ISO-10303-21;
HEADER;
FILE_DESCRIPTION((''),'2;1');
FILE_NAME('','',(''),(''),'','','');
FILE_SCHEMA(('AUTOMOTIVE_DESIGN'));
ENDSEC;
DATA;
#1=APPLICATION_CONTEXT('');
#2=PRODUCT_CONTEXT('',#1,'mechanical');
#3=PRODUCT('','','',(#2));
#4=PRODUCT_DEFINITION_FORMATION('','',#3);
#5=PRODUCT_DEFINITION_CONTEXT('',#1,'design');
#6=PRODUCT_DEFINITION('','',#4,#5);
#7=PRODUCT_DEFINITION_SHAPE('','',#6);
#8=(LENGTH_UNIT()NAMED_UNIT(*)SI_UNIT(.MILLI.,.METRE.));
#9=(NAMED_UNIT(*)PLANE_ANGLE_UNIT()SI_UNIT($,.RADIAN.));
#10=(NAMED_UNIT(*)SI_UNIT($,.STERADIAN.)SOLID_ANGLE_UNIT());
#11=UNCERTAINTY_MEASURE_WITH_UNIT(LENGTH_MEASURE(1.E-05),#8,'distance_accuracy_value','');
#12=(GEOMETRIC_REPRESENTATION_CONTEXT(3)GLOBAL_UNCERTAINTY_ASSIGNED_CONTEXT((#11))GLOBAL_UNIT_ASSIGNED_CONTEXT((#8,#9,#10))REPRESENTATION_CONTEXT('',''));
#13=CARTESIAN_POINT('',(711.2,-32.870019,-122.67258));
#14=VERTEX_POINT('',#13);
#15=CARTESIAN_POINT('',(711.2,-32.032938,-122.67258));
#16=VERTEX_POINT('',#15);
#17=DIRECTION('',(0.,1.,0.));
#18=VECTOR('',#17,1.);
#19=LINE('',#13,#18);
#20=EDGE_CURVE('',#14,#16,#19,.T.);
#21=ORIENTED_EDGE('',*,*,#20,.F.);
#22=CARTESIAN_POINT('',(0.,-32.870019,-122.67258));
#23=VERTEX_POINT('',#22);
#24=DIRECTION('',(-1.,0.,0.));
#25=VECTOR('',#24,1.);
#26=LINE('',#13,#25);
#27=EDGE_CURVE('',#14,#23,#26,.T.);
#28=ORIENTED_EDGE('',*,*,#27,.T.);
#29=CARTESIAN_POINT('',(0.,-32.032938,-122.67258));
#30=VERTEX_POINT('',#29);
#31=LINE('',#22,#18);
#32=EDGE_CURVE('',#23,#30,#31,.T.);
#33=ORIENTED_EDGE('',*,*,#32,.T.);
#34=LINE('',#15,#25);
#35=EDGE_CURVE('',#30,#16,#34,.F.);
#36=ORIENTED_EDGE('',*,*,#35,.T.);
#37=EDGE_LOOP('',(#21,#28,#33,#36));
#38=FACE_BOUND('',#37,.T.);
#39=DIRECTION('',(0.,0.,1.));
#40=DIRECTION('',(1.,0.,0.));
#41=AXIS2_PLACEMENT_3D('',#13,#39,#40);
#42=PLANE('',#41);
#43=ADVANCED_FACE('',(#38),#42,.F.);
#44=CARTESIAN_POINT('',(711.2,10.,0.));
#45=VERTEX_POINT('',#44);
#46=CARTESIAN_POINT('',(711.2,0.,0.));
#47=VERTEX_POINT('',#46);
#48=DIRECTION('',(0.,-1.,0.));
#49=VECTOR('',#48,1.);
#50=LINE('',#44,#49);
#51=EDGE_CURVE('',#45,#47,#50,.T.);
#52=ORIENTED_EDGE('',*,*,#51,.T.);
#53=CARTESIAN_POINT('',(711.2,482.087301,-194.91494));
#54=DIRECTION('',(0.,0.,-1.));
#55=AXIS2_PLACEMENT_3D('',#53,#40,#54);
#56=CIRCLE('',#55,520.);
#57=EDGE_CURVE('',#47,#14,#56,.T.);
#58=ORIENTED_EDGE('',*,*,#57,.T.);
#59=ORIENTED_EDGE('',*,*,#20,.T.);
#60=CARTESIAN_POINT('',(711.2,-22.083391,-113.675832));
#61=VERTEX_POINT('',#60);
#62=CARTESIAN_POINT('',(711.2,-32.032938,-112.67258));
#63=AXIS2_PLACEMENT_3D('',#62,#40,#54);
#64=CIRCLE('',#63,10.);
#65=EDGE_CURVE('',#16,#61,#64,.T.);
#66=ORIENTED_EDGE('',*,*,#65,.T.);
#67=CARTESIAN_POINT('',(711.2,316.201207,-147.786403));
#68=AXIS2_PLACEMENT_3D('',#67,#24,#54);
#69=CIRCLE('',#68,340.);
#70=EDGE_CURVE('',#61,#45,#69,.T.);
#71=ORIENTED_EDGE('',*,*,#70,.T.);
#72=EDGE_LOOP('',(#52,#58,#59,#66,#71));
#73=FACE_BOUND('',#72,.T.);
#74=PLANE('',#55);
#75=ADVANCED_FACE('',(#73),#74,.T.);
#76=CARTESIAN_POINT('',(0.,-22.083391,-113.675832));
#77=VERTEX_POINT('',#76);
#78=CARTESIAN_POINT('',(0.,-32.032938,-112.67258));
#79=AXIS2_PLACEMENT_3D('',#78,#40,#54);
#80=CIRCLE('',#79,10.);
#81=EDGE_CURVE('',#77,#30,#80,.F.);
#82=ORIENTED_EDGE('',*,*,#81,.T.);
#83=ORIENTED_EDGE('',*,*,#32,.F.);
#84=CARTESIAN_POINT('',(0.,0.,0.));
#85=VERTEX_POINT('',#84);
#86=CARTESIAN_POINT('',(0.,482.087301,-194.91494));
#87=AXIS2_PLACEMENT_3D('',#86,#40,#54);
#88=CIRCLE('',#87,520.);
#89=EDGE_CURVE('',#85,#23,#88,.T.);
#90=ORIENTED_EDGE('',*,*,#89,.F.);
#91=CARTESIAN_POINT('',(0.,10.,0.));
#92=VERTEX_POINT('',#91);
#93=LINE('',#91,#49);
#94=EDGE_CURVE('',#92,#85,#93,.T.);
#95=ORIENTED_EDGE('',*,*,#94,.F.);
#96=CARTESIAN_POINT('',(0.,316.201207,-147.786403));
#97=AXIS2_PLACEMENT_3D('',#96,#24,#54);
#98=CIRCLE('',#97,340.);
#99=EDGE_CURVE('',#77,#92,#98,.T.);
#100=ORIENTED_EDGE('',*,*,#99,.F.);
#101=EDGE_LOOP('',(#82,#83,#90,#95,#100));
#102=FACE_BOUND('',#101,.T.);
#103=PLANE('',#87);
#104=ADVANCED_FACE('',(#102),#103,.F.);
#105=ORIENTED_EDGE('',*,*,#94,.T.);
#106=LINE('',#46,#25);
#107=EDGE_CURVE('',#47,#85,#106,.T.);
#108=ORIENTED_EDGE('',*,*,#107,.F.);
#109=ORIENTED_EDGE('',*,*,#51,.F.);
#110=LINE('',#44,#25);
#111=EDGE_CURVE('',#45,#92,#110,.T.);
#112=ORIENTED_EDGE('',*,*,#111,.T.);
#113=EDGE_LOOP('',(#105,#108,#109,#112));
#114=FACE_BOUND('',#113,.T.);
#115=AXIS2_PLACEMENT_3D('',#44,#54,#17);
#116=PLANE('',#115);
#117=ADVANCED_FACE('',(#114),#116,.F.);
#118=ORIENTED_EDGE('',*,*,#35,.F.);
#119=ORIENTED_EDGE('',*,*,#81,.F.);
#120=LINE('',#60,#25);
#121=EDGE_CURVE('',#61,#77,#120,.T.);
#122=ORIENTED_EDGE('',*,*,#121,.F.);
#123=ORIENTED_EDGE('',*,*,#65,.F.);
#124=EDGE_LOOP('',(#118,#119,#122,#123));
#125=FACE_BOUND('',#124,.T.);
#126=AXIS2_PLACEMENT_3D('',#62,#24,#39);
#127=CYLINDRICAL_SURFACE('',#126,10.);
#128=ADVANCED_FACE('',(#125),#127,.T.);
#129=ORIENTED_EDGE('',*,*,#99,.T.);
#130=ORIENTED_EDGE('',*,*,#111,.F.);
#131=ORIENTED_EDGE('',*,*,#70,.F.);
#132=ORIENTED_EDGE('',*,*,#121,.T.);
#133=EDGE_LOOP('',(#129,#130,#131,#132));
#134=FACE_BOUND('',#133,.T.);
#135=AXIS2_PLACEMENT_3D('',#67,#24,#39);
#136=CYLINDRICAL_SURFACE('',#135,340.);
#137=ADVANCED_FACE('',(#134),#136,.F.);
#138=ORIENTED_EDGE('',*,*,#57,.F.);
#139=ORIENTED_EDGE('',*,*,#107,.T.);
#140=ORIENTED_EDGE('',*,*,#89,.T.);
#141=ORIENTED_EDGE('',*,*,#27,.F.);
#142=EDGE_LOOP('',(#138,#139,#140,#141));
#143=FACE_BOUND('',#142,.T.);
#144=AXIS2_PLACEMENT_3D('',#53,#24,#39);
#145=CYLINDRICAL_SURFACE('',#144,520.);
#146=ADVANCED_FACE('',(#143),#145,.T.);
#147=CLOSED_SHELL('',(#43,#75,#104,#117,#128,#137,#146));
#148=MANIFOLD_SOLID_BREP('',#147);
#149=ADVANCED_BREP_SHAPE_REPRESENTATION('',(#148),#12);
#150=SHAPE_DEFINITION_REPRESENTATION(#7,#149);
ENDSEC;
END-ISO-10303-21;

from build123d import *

# Parameters (mm, degrees)
BOSS_EXTRUDE1_DEPTH = 711.2
FILLET1_R           = 10


with BuildPart() as part:
    # Sketch1 → Boss-Extrude1 (new body)
    with BuildSketch(Plane(origin=(0, 0, 0), x_dir=(0, 0, -1), z_dir=(1, 0, 0))):
        with BuildLine():
            Line((122.672579939, -32.870018728), (122.672579939, -22.870018728))
            ThreePointArc((122.672579939, -22.870018728), (59.787928159, -12.213574307), (0, 10))
            Line((0, 10), (0, 0))
            ThreePointArc((0, 0), (60.329037039, -20.194128476), (122.672579939, -32.870018728))
        make_face()
    extrude(amount=BOSS_EXTRUDE1_DEPTH)

    # Fillet1
    fillet1_edges = [part.edges().sort_by_distance(p)[0] for p in [
        (355.6, -22.870018728, -122.672579939),
    ]]
    fillet(fillet1_edges, radius=FILLET1_R)


solid = part.part
